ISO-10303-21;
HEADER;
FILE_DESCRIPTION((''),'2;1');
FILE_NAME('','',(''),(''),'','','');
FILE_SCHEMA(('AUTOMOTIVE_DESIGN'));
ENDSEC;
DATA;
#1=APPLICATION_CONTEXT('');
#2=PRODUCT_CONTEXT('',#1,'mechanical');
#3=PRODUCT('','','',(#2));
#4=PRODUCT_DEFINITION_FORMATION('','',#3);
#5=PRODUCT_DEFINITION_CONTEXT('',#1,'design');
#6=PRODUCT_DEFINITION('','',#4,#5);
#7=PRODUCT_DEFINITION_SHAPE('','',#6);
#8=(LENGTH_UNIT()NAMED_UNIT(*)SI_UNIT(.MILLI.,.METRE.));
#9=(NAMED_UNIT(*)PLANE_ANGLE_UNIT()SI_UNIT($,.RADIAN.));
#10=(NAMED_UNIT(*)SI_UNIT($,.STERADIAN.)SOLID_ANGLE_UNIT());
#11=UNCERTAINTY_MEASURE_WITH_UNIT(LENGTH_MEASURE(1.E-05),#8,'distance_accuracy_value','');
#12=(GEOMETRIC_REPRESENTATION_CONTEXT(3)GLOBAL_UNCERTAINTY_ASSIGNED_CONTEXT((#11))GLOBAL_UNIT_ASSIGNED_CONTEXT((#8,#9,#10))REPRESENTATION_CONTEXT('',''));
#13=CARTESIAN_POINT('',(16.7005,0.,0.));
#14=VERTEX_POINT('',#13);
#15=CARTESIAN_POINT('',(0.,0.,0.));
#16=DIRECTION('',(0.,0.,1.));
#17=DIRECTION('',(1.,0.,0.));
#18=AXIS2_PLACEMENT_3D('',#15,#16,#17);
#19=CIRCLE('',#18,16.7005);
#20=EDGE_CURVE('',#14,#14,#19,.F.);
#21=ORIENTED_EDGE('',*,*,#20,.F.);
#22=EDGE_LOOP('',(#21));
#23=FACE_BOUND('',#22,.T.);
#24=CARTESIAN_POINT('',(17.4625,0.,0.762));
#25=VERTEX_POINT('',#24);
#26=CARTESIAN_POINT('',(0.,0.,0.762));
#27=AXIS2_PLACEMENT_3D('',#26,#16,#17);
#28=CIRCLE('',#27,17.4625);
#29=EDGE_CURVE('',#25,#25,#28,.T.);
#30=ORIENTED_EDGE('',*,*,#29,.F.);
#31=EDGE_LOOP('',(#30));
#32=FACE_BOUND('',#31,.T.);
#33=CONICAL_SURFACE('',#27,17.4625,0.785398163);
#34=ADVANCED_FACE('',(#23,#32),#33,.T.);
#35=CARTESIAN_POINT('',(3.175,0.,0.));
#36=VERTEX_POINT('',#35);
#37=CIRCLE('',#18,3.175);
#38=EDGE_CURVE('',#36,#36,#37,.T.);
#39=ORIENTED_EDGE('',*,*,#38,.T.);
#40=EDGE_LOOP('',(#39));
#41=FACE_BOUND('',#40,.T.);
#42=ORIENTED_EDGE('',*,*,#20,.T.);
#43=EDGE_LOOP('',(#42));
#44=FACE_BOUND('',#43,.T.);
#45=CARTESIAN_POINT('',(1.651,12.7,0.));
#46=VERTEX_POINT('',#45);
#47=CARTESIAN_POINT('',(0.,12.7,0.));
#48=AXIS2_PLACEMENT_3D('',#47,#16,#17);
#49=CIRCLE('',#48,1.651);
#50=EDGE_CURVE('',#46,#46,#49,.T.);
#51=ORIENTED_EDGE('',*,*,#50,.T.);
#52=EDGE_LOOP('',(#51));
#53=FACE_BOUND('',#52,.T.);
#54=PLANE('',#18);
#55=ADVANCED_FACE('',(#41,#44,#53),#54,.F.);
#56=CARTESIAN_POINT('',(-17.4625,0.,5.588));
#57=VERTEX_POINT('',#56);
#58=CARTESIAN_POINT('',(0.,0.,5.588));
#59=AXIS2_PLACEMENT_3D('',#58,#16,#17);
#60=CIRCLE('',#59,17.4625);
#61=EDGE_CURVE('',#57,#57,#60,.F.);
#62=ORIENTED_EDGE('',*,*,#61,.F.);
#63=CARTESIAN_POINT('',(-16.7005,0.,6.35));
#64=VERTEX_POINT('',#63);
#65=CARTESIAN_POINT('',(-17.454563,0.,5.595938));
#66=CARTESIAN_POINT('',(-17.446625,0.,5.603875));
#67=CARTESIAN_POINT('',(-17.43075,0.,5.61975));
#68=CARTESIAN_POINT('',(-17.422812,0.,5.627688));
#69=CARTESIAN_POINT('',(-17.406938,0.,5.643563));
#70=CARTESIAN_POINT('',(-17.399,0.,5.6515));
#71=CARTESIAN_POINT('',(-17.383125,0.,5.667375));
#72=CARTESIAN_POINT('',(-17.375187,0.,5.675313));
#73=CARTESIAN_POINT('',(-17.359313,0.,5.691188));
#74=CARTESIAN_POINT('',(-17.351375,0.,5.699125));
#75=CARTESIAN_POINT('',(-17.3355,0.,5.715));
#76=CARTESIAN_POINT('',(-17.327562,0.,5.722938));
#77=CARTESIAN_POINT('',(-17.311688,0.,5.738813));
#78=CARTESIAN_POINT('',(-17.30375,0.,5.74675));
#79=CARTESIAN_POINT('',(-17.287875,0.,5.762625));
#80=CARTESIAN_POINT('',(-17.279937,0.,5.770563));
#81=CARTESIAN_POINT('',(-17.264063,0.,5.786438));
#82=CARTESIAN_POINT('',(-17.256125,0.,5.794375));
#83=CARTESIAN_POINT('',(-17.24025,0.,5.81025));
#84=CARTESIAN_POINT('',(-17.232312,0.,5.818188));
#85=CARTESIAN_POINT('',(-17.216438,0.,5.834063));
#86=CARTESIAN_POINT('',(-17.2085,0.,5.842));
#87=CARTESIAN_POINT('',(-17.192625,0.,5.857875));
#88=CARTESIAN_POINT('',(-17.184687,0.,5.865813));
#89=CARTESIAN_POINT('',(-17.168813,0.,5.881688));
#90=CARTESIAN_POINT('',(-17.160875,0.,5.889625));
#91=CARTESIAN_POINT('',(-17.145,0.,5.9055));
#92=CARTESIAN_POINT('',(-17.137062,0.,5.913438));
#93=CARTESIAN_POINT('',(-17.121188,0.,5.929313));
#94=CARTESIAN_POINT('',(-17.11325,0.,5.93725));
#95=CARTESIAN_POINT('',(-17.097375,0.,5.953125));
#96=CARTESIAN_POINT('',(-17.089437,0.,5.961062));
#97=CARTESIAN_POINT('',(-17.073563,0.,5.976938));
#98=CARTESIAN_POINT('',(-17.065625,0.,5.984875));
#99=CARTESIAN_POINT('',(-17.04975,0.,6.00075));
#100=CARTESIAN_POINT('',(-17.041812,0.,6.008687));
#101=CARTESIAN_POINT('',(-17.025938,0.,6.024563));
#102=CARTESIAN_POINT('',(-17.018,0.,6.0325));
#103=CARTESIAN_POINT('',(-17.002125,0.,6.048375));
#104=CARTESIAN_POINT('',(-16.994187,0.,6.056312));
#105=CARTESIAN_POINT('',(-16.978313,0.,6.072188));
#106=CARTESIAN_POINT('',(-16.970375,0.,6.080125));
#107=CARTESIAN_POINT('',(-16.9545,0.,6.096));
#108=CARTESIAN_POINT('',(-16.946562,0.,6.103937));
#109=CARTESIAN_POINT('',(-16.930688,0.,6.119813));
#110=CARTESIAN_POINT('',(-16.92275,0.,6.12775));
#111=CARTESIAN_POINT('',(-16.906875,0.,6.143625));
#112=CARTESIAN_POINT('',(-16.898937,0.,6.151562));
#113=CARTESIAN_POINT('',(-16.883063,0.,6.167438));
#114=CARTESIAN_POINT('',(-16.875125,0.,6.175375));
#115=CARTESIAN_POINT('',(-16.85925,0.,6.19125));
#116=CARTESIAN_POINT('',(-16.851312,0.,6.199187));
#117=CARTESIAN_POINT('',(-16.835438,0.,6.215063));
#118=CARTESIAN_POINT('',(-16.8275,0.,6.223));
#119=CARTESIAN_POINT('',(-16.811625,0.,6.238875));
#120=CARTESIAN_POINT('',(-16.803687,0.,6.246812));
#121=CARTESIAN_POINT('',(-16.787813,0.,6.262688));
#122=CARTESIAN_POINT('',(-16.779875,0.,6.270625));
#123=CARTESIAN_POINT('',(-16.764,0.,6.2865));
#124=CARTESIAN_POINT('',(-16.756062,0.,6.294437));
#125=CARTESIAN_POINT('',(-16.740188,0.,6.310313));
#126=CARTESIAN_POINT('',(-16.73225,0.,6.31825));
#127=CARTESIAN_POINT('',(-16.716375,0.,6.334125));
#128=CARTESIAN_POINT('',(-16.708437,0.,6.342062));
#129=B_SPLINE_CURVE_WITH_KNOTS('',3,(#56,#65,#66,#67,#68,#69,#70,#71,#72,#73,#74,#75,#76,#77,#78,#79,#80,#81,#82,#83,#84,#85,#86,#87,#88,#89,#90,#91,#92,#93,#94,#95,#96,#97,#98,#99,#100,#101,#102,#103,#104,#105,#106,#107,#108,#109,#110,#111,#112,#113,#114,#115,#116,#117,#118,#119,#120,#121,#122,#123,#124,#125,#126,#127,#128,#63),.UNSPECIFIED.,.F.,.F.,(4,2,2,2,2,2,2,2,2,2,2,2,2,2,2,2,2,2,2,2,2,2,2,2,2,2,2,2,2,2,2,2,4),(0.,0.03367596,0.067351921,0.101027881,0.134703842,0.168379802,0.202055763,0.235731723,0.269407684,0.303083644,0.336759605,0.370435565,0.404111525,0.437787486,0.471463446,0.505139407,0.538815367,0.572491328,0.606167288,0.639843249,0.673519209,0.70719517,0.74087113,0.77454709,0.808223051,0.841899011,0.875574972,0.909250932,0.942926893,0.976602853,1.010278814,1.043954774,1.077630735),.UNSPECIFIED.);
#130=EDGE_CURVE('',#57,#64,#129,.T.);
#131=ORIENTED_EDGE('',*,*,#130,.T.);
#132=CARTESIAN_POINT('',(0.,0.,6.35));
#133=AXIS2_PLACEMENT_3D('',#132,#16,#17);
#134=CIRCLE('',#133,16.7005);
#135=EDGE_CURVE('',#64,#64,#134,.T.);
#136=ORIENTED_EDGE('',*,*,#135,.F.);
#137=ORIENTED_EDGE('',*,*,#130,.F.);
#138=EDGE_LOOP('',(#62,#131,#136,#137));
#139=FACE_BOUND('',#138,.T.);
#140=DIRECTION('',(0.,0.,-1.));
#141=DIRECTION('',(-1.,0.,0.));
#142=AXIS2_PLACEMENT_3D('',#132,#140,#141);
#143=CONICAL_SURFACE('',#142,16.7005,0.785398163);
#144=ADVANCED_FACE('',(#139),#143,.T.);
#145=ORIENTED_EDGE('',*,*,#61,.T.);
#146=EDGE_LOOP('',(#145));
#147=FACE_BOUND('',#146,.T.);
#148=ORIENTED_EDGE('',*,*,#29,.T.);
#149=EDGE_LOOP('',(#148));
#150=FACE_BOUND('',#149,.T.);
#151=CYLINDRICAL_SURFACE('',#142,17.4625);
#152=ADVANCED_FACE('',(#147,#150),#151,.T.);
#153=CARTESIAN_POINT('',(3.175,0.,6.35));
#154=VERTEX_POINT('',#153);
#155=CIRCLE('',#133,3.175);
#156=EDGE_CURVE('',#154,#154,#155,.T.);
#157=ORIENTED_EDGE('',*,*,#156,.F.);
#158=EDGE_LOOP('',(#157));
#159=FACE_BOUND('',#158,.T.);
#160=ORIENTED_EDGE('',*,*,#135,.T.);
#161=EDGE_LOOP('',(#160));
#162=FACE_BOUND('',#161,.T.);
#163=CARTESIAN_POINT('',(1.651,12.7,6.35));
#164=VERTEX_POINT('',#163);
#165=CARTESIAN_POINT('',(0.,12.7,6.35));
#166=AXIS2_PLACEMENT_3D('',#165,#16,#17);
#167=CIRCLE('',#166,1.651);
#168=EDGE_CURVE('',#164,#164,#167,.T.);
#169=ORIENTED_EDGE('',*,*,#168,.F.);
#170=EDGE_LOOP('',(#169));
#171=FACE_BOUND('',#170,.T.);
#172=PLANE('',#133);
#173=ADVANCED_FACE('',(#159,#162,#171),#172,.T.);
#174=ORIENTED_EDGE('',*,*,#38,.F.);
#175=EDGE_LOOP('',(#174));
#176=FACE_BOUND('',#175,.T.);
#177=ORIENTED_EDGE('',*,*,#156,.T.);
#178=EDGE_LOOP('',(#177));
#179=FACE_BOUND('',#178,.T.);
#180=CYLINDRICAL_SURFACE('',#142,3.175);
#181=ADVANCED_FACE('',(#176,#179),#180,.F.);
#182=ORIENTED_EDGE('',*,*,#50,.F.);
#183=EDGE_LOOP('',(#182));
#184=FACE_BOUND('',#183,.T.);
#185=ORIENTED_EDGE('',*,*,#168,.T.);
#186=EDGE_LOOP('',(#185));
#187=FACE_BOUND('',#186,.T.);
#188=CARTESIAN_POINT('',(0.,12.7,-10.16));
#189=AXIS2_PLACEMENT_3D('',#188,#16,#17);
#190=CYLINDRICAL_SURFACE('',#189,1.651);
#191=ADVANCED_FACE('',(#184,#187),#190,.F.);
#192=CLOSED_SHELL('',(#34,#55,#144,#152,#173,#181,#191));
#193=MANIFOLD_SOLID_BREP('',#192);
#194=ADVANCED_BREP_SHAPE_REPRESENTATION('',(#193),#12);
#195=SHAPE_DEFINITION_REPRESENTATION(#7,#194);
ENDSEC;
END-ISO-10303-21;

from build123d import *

# Parameters (mm, degrees)
SKETCH1_R           = 17.4625
SKETCH1_R_2         = 3.175
BOSS_EXTRUDE1_DEPTH = 6.35
SKETCH3_R           = 1.651
CUT_EXTRUDE3_DEPTH  = 16.51
CHAMFER1_SIZE       = 0.762
CHAMFER2_SIZE       = 0.762


with BuildPart() as part:
    # Sketch1 → Boss-Extrude1 (new body)
    with BuildSketch(Plane.XY):
        Circle(SKETCH1_R)
        Circle(SKETCH1_R_2, mode=Mode.SUBTRACT)
    extrude(amount=BOSS_EXTRUDE1_DEPTH)

    # Sketch3 → Cut-Extrude3 (cut)
    with BuildSketch(Plane.XY.offset(6.35)):
        with Locations((0, 12.7)):
            Circle(SKETCH3_R)
    extrude(amount=-CUT_EXTRUDE3_DEPTH, mode=Mode.SUBTRACT)

    # Chamfer1
    chamfer1_edges = [part.edges().sort_by_distance(p)[0] for p in [
        (-17.4625, 0, 6.35),
    ]]
    chamfer(chamfer1_edges, length=CHAMFER1_SIZE)

    # Chamfer2
    chamfer2_edges = [part.edges().sort_by_distance(p)[0] for p in [
        (-17.4625, 0, 0),
    ]]
    chamfer(chamfer2_edges, length=CHAMFER2_SIZE)


solid = part.part
